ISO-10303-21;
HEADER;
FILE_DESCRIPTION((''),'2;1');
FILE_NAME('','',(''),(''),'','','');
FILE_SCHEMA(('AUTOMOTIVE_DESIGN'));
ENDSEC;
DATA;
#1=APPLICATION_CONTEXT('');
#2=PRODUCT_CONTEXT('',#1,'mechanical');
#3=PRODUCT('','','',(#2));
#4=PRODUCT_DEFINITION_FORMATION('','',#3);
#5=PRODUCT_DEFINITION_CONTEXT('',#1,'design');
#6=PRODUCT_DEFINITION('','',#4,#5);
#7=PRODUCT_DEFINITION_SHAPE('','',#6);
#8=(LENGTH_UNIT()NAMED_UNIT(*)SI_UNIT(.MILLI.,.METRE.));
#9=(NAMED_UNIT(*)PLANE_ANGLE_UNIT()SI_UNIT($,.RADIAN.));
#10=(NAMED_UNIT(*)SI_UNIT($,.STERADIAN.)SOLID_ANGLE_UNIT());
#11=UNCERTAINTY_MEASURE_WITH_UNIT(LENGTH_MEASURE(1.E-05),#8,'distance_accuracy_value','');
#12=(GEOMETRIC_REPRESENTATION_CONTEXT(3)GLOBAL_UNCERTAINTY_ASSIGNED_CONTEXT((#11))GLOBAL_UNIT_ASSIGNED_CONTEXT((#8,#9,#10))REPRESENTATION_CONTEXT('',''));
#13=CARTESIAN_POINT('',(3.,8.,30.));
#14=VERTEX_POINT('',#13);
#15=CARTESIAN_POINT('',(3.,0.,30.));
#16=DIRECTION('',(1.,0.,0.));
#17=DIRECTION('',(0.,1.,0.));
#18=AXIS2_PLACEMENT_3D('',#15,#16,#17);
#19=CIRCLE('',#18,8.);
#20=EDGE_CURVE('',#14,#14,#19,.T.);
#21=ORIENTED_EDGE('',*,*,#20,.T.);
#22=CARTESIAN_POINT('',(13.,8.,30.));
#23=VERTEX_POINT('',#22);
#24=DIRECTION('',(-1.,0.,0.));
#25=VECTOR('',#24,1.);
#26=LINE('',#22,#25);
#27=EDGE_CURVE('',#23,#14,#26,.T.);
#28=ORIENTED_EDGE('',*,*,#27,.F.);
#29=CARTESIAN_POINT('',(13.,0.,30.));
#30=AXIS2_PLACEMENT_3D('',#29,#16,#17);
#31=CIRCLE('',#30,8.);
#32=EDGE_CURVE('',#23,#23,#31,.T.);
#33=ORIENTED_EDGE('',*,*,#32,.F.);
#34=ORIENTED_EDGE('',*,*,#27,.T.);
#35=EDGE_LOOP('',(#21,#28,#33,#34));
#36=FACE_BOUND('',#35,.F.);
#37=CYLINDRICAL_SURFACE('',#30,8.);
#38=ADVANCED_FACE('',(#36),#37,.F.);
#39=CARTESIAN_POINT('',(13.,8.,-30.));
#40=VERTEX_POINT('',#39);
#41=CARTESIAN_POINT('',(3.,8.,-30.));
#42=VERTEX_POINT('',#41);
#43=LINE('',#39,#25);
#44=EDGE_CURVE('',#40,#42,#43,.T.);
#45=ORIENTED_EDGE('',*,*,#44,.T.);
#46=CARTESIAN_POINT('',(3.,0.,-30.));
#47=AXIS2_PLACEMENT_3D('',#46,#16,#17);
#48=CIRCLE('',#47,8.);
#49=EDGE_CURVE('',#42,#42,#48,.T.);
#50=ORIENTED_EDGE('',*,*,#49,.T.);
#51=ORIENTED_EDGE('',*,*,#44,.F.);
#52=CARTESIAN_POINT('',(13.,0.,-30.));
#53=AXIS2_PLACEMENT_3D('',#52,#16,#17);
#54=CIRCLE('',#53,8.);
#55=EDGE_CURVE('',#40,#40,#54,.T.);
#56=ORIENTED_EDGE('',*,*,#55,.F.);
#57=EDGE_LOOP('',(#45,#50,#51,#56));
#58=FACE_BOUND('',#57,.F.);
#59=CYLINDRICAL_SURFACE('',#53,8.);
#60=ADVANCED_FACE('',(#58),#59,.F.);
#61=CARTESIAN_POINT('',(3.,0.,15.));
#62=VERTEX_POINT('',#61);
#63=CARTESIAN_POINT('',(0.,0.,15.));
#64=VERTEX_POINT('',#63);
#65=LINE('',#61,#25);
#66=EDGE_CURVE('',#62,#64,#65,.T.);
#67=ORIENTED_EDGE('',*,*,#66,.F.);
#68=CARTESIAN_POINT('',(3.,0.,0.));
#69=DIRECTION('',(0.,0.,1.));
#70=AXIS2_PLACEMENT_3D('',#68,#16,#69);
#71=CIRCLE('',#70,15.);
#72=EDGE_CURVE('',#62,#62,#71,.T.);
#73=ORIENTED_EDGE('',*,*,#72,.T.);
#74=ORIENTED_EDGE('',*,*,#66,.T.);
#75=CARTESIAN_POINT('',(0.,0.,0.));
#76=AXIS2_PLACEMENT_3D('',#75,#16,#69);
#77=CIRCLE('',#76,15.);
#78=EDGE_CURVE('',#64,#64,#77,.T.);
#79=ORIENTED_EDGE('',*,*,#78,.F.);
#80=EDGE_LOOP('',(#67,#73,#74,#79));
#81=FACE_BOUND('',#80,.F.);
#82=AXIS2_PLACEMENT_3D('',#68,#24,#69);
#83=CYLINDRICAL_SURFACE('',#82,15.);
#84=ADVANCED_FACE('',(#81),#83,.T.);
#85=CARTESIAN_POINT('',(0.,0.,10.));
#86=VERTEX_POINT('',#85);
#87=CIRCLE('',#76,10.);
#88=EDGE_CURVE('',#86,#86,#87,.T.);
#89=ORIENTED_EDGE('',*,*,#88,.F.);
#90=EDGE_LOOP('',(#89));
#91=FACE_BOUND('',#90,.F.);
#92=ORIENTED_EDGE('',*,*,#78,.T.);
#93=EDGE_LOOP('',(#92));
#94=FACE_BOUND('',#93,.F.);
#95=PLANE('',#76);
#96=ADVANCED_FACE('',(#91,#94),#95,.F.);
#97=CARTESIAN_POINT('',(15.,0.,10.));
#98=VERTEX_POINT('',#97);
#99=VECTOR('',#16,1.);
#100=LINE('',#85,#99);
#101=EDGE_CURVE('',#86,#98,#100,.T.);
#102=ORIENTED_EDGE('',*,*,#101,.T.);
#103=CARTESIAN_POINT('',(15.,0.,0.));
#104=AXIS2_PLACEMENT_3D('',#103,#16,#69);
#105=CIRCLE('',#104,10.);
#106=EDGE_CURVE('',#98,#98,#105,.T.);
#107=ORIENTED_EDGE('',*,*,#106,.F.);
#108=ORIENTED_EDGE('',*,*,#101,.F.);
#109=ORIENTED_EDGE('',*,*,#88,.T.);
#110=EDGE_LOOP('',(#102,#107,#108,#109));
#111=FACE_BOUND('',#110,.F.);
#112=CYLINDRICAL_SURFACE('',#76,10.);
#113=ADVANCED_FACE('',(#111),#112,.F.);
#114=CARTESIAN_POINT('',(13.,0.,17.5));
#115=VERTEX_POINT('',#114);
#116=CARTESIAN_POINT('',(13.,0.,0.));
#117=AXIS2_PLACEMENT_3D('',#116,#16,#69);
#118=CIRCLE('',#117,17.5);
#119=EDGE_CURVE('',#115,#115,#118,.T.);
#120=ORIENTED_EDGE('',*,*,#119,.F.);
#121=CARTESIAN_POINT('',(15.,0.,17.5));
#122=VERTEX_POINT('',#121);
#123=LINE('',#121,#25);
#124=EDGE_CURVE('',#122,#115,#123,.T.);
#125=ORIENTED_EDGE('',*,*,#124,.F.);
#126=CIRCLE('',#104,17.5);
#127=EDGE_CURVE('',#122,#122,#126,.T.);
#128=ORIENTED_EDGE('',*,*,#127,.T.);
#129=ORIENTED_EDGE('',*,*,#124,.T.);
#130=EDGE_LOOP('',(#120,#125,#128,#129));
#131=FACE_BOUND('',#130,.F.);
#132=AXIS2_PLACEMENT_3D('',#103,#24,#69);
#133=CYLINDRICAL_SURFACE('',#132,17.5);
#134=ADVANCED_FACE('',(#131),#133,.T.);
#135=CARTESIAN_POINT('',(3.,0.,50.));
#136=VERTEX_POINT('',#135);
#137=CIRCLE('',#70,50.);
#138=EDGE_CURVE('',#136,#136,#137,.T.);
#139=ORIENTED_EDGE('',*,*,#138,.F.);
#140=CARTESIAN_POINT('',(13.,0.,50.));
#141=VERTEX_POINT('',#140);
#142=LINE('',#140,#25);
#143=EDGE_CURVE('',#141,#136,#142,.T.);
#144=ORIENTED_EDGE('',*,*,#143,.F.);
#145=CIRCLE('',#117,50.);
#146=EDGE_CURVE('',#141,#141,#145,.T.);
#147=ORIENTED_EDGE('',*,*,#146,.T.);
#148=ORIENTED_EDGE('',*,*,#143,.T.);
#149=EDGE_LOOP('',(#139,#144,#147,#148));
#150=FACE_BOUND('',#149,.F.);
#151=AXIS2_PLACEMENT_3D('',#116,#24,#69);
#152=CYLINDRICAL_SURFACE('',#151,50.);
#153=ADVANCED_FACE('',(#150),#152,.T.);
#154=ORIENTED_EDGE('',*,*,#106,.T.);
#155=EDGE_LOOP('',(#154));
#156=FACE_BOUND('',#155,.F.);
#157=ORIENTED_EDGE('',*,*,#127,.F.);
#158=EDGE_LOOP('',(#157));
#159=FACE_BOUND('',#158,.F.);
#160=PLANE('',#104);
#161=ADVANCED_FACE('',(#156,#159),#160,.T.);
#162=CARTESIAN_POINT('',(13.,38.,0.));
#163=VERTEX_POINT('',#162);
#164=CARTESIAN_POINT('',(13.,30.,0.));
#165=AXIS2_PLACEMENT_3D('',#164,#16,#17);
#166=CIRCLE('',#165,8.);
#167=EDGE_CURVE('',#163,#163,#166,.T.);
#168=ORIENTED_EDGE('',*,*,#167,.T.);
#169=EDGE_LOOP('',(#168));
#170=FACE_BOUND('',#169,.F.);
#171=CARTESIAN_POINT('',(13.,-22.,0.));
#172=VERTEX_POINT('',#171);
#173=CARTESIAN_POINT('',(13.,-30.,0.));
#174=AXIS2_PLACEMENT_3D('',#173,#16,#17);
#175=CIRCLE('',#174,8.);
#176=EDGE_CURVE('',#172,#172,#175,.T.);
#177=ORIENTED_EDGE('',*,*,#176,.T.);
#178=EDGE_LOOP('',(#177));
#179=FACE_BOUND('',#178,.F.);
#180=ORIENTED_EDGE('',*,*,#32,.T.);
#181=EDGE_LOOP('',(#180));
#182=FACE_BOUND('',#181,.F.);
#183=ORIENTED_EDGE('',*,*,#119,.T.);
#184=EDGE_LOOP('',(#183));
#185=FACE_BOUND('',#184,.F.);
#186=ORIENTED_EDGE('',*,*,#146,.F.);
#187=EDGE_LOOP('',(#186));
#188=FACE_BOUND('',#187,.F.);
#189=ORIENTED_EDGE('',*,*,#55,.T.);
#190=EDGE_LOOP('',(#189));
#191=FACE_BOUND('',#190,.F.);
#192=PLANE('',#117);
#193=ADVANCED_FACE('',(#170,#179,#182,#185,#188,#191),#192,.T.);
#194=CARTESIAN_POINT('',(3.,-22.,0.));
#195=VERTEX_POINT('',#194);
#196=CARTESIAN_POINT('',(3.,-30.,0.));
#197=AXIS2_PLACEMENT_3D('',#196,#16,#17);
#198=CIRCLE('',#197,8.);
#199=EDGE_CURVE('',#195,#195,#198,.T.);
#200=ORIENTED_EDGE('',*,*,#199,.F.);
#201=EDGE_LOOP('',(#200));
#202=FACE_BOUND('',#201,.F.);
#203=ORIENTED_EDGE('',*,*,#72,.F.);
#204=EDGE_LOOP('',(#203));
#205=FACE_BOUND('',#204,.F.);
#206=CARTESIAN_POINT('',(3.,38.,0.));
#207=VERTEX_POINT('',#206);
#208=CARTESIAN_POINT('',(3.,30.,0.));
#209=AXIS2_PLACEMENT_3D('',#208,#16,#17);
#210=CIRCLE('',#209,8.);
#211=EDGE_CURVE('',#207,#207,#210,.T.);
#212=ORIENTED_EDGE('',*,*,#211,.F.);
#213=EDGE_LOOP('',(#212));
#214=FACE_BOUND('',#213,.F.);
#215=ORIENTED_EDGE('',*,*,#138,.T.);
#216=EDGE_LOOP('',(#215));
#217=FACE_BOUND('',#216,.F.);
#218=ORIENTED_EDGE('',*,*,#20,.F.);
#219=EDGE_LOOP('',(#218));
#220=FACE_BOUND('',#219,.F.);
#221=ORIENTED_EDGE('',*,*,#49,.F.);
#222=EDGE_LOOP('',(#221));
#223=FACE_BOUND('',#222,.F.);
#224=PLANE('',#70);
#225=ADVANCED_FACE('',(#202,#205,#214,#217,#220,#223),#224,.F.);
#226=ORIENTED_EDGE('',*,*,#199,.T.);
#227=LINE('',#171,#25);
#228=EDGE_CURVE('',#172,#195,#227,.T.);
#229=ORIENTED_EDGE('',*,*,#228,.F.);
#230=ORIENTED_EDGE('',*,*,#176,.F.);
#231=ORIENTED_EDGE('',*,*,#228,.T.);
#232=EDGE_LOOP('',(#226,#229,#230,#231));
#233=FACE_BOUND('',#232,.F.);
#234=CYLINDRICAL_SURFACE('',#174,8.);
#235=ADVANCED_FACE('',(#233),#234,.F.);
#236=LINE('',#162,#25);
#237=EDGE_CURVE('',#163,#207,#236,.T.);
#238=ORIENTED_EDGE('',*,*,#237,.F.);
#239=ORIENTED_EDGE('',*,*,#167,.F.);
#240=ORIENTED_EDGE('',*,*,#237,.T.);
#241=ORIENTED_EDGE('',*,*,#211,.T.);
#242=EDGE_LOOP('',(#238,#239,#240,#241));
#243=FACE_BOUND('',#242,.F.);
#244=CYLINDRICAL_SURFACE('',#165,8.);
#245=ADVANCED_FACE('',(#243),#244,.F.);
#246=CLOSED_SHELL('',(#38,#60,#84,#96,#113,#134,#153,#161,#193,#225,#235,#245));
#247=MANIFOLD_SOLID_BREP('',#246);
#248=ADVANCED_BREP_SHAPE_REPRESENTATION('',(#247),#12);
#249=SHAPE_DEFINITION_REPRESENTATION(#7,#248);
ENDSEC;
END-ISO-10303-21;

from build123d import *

# Parameters (mm, degrees)
F2_R     = 8
F3_DEPTH = 13.001


with BuildPart() as f1:
    # F0 (on Front) → F1 (revolve)
    with BuildSketch(Plane.XZ):
        Polygon((0, 15), (0, 10), (15, 10), (15, 17.5), (13, 17.5), (13, 50), (3, 50), (3, 15), align=None)
    revolve(axis=Axis((8.059816, 0, 0), (1, 0, 0)))

    # F2 (on face) → F3 (cut, through all)
    with BuildSketch(Plane.YZ.offset(13)):
        with Locations((0, 30)):
            Circle(F2_R)
        with Locations((-30, 0)):
            Circle(F2_R)
        with Locations((0, -30)):
            Circle(F2_R)
        with Locations((30, 0)):
            Circle(F2_R)
    extrude(amount=-F3_DEPTH, mode=Mode.SUBTRACT)


solid = f1.part
